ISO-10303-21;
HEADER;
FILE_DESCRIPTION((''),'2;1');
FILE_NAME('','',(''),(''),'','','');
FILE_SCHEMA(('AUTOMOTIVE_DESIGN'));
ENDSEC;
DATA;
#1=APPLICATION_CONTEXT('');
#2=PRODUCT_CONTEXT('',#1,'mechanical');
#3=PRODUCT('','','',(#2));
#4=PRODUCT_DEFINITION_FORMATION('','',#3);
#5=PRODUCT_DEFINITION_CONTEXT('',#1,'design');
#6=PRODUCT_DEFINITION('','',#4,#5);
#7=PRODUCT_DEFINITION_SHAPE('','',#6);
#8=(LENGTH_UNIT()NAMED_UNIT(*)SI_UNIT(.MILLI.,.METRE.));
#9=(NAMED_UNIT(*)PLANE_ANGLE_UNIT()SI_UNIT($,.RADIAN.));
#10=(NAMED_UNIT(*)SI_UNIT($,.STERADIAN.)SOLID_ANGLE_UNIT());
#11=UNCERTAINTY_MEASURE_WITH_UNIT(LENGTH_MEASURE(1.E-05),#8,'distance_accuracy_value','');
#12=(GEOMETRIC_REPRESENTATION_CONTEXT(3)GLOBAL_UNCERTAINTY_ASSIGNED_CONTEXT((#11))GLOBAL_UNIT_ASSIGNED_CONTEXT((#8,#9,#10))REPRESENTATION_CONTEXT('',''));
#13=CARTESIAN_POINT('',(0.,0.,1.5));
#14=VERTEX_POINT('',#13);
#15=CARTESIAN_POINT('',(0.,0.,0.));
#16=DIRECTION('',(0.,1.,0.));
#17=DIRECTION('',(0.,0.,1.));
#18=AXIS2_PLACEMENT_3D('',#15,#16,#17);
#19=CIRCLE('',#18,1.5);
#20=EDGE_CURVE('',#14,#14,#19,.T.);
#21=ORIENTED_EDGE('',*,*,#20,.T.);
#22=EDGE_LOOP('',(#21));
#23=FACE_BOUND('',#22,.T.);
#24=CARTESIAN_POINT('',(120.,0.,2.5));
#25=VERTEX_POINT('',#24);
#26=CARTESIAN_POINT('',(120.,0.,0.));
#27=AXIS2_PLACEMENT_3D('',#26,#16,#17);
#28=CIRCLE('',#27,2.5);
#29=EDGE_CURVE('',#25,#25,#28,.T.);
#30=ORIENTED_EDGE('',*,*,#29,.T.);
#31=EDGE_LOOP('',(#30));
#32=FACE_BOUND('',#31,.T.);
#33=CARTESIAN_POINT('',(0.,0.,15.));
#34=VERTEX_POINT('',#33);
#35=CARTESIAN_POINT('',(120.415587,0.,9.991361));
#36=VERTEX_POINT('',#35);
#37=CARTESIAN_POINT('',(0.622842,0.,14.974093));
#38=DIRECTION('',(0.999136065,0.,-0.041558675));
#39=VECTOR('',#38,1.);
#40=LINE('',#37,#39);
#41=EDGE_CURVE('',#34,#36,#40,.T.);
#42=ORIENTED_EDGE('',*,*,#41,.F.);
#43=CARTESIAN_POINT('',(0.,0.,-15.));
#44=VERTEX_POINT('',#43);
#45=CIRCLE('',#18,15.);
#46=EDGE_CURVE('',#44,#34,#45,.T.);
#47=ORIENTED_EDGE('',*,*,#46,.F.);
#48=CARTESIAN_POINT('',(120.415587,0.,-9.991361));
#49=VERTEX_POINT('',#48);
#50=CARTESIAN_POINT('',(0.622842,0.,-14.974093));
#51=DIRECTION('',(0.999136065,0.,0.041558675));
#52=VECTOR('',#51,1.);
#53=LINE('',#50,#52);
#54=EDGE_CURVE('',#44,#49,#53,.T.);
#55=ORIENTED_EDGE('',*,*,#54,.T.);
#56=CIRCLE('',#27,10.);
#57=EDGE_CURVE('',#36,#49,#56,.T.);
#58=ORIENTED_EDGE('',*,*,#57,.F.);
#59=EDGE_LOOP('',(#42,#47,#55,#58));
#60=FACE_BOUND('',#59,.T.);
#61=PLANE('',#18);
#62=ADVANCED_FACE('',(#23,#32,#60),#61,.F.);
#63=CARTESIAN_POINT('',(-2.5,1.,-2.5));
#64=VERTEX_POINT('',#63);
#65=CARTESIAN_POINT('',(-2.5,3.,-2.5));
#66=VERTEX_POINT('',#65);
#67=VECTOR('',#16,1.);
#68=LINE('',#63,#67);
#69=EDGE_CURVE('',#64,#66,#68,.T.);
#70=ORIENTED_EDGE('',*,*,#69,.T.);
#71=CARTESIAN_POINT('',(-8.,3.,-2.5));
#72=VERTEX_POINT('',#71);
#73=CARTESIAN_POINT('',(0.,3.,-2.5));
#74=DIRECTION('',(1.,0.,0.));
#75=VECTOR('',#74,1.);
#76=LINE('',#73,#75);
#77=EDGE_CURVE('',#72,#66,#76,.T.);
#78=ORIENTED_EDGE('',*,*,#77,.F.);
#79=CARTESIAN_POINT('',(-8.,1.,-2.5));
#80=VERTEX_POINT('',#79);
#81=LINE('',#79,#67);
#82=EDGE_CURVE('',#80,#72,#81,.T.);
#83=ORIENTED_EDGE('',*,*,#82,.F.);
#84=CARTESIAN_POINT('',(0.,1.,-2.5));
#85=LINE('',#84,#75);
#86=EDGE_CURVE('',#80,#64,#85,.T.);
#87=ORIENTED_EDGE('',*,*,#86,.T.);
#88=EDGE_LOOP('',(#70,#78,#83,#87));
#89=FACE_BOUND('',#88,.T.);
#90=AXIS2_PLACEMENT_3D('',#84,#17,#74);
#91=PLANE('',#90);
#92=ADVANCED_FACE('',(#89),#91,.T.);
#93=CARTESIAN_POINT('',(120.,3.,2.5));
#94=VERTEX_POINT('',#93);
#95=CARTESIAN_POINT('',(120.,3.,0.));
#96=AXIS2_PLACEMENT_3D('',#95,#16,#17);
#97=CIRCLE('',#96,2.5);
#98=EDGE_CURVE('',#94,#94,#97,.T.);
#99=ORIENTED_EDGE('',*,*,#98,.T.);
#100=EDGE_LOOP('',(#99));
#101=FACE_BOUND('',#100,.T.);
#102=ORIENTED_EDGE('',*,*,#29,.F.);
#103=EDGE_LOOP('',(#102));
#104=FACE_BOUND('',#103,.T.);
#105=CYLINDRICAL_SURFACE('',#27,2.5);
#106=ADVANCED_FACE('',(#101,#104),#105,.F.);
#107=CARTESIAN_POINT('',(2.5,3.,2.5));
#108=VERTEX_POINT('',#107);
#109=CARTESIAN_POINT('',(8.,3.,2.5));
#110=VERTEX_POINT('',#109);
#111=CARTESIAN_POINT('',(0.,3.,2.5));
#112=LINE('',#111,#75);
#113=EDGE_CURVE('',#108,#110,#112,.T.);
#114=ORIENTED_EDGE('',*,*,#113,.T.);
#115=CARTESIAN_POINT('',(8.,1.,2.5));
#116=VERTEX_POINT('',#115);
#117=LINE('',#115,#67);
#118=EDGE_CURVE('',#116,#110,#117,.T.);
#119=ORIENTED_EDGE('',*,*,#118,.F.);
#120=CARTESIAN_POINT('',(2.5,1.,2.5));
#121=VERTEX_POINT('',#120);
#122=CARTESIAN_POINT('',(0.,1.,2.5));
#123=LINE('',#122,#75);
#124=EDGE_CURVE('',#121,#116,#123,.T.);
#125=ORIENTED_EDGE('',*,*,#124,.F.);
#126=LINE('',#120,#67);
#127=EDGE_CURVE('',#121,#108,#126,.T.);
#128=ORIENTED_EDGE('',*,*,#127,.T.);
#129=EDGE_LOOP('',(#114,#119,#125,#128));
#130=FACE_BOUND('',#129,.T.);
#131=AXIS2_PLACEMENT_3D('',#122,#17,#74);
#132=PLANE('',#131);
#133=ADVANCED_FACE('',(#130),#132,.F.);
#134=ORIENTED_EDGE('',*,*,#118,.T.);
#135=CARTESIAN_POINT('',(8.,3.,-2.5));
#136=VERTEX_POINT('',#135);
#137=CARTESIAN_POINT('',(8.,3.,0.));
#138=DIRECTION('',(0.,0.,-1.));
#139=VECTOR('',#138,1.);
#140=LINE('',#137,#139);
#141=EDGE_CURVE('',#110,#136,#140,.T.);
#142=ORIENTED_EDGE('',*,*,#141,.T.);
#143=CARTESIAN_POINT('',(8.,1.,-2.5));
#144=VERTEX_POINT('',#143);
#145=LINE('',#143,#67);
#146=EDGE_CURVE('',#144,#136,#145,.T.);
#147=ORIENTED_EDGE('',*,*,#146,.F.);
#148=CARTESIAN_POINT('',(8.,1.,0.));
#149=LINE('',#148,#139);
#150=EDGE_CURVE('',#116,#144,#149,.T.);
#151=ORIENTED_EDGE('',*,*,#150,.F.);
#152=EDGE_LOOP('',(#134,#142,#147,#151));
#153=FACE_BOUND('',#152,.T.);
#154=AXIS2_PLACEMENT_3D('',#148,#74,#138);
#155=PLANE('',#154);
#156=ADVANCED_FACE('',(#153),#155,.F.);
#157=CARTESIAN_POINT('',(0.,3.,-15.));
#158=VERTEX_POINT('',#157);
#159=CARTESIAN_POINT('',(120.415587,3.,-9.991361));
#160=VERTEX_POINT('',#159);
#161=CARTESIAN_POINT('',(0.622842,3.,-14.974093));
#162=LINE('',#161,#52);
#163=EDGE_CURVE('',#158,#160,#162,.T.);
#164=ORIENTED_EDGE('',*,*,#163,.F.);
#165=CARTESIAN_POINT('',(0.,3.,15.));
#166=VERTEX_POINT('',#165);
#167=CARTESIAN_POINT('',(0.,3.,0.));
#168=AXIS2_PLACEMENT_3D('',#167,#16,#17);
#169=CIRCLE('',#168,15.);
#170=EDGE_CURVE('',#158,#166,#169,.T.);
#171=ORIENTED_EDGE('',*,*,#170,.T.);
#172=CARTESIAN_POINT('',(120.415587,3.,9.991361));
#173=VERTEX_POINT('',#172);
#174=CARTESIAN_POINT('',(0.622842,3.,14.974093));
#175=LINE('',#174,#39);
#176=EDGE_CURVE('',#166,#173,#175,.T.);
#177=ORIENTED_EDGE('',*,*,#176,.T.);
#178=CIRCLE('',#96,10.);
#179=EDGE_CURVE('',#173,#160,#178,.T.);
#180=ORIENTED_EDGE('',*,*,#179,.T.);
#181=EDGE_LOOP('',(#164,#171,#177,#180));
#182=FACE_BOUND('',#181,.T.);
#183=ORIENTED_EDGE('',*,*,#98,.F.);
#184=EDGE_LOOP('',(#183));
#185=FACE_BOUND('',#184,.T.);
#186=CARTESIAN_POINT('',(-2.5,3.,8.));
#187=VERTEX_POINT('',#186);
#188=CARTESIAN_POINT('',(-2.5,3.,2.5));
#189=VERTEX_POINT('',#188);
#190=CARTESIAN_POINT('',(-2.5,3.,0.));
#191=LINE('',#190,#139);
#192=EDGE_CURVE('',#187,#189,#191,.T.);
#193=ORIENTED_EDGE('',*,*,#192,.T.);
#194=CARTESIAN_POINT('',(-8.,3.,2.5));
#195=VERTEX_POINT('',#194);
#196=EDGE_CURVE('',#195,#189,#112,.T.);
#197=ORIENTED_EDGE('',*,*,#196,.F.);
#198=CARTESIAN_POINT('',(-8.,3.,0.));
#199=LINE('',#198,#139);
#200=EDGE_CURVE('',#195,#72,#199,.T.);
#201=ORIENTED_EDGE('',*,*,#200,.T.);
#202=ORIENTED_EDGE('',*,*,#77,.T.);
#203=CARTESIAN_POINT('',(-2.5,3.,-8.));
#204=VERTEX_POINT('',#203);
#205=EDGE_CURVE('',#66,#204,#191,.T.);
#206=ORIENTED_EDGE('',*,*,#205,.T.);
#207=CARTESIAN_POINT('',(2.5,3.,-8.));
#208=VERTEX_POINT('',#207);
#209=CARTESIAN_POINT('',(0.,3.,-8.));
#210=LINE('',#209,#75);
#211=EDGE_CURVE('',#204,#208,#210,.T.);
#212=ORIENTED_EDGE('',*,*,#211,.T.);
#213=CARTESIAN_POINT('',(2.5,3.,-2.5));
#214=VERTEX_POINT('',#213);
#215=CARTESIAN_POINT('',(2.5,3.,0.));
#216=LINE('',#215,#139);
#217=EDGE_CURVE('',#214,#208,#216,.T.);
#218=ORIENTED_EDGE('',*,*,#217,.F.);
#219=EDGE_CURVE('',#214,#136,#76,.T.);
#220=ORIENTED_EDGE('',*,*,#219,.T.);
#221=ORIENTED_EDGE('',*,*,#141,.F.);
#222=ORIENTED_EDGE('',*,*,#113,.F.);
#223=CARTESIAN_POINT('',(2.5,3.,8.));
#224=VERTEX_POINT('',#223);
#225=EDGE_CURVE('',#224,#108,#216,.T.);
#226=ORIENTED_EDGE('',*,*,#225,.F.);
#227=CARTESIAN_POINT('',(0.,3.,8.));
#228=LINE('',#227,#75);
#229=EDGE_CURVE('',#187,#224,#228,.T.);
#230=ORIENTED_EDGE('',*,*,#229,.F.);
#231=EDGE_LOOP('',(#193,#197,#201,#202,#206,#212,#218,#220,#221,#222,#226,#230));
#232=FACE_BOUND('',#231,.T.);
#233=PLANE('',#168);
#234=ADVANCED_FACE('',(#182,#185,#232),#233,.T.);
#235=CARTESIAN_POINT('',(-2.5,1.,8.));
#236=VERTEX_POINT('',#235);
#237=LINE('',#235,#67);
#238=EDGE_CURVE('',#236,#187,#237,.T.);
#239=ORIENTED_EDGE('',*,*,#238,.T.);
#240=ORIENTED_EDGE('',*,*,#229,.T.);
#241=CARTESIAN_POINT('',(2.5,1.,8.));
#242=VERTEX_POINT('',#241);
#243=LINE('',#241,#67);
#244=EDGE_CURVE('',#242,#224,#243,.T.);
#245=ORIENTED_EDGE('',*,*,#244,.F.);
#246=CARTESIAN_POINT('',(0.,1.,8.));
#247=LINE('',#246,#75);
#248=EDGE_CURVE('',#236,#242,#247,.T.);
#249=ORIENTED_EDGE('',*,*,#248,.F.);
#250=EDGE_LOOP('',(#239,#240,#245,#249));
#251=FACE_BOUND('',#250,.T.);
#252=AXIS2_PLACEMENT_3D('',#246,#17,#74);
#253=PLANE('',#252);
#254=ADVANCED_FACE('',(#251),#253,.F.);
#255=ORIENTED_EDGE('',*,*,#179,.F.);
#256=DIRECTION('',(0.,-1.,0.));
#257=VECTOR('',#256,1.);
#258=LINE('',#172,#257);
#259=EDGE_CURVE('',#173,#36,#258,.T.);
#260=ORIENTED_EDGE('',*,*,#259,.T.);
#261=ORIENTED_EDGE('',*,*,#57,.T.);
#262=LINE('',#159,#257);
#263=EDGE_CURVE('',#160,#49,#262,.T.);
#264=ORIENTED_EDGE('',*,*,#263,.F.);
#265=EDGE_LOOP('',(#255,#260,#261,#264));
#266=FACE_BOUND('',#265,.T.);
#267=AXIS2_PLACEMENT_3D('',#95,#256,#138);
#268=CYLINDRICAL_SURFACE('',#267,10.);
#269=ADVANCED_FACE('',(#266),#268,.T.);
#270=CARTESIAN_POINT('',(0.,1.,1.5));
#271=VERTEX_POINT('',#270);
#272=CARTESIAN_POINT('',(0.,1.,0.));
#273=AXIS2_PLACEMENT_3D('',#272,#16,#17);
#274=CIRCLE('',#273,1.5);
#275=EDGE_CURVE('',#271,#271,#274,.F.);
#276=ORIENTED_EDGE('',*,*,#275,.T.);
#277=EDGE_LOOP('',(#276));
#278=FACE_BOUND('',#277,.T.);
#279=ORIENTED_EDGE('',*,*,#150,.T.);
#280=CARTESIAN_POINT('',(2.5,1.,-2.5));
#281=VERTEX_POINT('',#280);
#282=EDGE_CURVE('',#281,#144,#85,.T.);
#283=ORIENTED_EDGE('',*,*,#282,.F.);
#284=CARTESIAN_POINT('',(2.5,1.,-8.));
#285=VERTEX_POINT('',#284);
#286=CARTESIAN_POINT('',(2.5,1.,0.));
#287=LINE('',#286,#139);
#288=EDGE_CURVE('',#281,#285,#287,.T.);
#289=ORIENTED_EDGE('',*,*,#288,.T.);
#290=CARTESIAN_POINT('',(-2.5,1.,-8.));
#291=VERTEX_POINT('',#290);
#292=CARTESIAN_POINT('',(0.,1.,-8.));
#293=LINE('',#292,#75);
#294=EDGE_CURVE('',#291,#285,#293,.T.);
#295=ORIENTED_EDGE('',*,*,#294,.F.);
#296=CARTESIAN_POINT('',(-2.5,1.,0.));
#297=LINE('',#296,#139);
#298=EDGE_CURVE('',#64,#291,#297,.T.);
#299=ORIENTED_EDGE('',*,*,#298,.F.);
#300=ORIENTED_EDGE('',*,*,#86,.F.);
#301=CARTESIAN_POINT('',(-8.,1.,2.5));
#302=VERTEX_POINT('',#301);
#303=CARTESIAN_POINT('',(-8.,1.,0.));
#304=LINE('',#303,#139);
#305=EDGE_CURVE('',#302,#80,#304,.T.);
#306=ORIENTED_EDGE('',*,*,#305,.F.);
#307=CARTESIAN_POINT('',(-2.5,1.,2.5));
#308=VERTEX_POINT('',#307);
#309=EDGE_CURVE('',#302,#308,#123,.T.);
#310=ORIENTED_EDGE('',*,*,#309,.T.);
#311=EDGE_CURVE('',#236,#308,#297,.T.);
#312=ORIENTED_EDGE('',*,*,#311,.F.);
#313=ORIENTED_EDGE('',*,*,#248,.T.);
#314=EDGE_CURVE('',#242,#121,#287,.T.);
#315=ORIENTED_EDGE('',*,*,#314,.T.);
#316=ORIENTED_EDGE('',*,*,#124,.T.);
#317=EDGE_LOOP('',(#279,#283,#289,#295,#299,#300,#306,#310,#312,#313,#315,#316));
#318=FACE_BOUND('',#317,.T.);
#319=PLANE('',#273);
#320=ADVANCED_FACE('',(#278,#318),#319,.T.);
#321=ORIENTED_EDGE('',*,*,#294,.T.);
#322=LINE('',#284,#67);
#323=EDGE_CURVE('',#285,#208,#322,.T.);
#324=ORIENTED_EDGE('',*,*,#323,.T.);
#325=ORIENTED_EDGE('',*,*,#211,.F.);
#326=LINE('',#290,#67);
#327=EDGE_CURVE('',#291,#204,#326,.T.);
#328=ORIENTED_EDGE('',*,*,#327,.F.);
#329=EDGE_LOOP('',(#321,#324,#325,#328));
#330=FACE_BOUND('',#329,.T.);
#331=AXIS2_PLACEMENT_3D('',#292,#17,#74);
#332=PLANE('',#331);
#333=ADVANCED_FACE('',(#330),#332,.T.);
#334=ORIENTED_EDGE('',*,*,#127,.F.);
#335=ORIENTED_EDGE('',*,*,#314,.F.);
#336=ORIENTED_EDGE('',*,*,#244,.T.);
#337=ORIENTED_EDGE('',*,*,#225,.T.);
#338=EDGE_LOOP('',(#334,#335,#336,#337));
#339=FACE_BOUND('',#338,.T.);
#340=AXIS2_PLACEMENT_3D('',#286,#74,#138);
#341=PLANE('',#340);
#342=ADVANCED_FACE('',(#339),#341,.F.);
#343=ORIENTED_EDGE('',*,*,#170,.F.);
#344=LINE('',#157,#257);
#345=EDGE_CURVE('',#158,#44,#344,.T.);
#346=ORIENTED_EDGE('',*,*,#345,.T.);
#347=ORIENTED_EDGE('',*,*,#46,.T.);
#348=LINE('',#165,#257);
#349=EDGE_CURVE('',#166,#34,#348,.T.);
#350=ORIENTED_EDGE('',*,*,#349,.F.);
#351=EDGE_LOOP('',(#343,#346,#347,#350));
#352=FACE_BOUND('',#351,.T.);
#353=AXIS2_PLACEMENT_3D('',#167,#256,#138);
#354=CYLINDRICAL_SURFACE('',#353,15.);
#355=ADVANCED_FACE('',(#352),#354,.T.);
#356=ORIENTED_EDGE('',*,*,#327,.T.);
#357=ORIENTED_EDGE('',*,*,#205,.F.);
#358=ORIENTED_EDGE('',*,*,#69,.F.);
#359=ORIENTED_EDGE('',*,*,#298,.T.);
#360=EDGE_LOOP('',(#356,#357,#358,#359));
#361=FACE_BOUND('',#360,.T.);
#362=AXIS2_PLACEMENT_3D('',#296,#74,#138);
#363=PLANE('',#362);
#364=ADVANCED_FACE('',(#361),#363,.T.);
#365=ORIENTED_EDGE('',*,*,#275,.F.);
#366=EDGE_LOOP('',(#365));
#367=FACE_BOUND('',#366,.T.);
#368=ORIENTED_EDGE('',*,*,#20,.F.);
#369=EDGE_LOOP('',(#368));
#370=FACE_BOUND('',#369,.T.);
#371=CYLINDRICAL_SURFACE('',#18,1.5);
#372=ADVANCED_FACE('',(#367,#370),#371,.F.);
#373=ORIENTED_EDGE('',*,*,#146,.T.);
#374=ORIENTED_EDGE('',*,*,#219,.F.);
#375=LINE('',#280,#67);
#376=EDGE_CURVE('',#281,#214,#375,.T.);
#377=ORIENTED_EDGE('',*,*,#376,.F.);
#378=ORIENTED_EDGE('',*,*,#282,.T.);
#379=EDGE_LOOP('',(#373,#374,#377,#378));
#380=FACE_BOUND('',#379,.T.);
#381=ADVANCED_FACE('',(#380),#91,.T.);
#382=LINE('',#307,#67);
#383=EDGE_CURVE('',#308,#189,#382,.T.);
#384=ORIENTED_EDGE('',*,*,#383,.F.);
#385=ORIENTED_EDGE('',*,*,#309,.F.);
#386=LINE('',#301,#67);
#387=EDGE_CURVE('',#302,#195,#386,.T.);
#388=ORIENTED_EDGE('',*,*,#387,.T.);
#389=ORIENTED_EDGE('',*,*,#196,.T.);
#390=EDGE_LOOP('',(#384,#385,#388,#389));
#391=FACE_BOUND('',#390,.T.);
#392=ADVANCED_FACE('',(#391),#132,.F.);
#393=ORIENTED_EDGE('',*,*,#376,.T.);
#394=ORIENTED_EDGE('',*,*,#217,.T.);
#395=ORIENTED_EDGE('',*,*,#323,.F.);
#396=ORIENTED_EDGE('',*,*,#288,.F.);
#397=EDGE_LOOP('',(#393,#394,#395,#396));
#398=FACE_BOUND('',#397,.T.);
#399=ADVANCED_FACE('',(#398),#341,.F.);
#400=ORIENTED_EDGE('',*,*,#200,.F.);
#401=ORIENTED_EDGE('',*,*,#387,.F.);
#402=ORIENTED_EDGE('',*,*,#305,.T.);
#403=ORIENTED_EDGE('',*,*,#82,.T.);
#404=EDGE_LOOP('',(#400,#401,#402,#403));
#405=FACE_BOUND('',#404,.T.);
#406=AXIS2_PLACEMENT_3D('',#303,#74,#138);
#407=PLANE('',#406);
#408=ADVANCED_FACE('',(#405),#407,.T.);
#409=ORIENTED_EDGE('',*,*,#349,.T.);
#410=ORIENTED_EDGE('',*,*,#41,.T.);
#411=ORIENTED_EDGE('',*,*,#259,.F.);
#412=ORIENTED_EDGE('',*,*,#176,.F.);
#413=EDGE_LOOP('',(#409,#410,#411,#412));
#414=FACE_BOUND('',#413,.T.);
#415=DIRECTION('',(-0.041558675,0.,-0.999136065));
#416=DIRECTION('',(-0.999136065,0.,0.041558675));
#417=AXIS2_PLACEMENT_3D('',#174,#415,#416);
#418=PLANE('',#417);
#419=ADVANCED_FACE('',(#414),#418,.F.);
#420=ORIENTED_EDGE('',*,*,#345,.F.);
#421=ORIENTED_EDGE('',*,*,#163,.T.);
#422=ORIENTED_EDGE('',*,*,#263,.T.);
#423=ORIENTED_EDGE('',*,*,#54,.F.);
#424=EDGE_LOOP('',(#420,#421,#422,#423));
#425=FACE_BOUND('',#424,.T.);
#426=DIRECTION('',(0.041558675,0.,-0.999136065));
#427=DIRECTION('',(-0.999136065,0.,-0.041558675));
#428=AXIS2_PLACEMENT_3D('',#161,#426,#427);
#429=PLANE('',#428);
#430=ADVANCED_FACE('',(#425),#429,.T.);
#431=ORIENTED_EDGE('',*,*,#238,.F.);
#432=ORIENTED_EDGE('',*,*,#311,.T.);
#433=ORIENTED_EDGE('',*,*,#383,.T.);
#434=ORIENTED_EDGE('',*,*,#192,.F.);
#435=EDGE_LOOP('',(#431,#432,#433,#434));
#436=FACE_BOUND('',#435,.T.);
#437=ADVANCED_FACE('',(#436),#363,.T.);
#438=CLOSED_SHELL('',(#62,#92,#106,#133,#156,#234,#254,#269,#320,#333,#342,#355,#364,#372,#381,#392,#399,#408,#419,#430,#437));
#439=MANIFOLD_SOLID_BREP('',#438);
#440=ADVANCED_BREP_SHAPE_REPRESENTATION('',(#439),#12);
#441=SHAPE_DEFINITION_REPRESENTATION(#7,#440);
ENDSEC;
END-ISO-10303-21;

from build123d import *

# Parameters (mm, degrees)
SKETCH_1_R          = 5
EXTRUDE_1_DEPTH     = 3
SKETCH_2_R          = 2.5
CUT_EXTRUDE_1_DEPTH = 131.896905999
EXTRUDE_START       = -3
SKETCH_3_R          = 5
EXTRUDE_2_DEPTH     = 3
SKETCH_4_R          = 1.5
CUT_EXTRUDE_2_DEPTH = 3
SKETCH_5_W          = 5
SKETCH_5_H          = 5.5
SKETCH_5_W_2        = 5.5
SKETCH_5_H_2        = 5
SKETCH_5_R          = 1.5
CUT_EXTRUDE_3_DEPTH = 2


with BuildPart() as part:
    # 草图1 → 凸台-拉伸1 (new body)
    with BuildSketch(Plane(origin=(0, 0, 0), x_dir=(1, 0, 0), z_dir=(0, 1, 0))):
        with BuildLine():
            Line((0, -15), (120.415586748, -9.991360651))
            ThreePointArc((120.415586748, -9.991360651), (130, 0), (120.415586748, 9.991360651))
            Line((120.415586748, 9.991360651), (0, 15))
            ThreePointArc((0, 15), (-15, 0), (0, -15))
        make_face()
        with Locations(Location((0, 0, 0), (0, 0, 270))):
            Circle(SKETCH_1_R, mode=Mode.SUBTRACT)
    extrude(amount=EXTRUDE_1_DEPTH)

    # 草图2 → 切除-拉伸1 (cut, through all)
    with BuildSketch(Plane(origin=(0, 3, 0), x_dir=(1, 0, 0), z_dir=(0, 1, 0))):
        with Locations(Location((120, 0, 0), (0, 0, 270))):
            Circle(SKETCH_2_R)
    extrude(amount=-CUT_EXTRUDE_1_DEPTH, mode=Mode.SUBTRACT)

    # 草图3 → 凸台-拉伸2 (add)
    with BuildSketch(Plane(origin=(0, 3, 0), x_dir=(1, 0, 0), z_dir=(0, 1, 0)).offset(EXTRUDE_START)):
        Circle(SKETCH_3_R)
    extrude(amount=EXTRUDE_2_DEPTH)

    # 草图4 → 切除-拉伸2 (cut)
    with BuildSketch(Plane(origin=(0, 3, 0), x_dir=(1, 0, 0), z_dir=(0, 1, 0))):
        with Locations(Location((0, 0, 0), (0, 0, 270))):
            Circle(SKETCH_4_R)
    extrude(amount=-CUT_EXTRUDE_2_DEPTH, mode=Mode.SUBTRACT)

    # 草图5 → 切除-拉伸3 (cut)
    # profile 1 of 5: a face of its own
    with BuildSketch(Plane(origin=(0, 3, 0), x_dir=(1, 0, 0), z_dir=(0, 1, 0))):
        with Locations((0, 5.25)):
            Rectangle(SKETCH_5_W, SKETCH_5_H)
    # profile 2 of 5: a face of its own
    with BuildSketch(Plane(origin=(0, 3, 0), x_dir=(1, 0, 0), z_dir=(0, 1, 0))):
        with Locations((-5.25, 0)):
            Rectangle(SKETCH_5_W_2, SKETCH_5_H_2)
    # profile 3 of 5: a face of its own
    with BuildSketch(Plane(origin=(0, 3, 0), x_dir=(1, 0, 0), z_dir=(0, 1, 0))):
        with Locations((0, -5.25)):
            Rectangle(SKETCH_5_W, SKETCH_5_H)
    # profile 4 of 5: a face of its own
    with BuildSketch(Plane(origin=(0, 3, 0), x_dir=(1, 0, 0), z_dir=(0, 1, 0))):
        with Locations((5.25, 0)):
            Rectangle(SKETCH_5_W_2, SKETCH_5_H_2)
    # profile 5 of 5: a face of its own
    with BuildSketch(Plane(origin=(0, 3, 0), x_dir=(1, 0, 0), z_dir=(0, 1, 0))):
        Rectangle(SKETCH_5_W, SKETCH_5_H_2)
        with Locations(Location((0, 0, 0), (0, 0, 270))):
            Circle(SKETCH_5_R, mode=Mode.SUBTRACT)
    extrude(amount=-CUT_EXTRUDE_3_DEPTH, mode=Mode.SUBTRACT)


solid = part.part
